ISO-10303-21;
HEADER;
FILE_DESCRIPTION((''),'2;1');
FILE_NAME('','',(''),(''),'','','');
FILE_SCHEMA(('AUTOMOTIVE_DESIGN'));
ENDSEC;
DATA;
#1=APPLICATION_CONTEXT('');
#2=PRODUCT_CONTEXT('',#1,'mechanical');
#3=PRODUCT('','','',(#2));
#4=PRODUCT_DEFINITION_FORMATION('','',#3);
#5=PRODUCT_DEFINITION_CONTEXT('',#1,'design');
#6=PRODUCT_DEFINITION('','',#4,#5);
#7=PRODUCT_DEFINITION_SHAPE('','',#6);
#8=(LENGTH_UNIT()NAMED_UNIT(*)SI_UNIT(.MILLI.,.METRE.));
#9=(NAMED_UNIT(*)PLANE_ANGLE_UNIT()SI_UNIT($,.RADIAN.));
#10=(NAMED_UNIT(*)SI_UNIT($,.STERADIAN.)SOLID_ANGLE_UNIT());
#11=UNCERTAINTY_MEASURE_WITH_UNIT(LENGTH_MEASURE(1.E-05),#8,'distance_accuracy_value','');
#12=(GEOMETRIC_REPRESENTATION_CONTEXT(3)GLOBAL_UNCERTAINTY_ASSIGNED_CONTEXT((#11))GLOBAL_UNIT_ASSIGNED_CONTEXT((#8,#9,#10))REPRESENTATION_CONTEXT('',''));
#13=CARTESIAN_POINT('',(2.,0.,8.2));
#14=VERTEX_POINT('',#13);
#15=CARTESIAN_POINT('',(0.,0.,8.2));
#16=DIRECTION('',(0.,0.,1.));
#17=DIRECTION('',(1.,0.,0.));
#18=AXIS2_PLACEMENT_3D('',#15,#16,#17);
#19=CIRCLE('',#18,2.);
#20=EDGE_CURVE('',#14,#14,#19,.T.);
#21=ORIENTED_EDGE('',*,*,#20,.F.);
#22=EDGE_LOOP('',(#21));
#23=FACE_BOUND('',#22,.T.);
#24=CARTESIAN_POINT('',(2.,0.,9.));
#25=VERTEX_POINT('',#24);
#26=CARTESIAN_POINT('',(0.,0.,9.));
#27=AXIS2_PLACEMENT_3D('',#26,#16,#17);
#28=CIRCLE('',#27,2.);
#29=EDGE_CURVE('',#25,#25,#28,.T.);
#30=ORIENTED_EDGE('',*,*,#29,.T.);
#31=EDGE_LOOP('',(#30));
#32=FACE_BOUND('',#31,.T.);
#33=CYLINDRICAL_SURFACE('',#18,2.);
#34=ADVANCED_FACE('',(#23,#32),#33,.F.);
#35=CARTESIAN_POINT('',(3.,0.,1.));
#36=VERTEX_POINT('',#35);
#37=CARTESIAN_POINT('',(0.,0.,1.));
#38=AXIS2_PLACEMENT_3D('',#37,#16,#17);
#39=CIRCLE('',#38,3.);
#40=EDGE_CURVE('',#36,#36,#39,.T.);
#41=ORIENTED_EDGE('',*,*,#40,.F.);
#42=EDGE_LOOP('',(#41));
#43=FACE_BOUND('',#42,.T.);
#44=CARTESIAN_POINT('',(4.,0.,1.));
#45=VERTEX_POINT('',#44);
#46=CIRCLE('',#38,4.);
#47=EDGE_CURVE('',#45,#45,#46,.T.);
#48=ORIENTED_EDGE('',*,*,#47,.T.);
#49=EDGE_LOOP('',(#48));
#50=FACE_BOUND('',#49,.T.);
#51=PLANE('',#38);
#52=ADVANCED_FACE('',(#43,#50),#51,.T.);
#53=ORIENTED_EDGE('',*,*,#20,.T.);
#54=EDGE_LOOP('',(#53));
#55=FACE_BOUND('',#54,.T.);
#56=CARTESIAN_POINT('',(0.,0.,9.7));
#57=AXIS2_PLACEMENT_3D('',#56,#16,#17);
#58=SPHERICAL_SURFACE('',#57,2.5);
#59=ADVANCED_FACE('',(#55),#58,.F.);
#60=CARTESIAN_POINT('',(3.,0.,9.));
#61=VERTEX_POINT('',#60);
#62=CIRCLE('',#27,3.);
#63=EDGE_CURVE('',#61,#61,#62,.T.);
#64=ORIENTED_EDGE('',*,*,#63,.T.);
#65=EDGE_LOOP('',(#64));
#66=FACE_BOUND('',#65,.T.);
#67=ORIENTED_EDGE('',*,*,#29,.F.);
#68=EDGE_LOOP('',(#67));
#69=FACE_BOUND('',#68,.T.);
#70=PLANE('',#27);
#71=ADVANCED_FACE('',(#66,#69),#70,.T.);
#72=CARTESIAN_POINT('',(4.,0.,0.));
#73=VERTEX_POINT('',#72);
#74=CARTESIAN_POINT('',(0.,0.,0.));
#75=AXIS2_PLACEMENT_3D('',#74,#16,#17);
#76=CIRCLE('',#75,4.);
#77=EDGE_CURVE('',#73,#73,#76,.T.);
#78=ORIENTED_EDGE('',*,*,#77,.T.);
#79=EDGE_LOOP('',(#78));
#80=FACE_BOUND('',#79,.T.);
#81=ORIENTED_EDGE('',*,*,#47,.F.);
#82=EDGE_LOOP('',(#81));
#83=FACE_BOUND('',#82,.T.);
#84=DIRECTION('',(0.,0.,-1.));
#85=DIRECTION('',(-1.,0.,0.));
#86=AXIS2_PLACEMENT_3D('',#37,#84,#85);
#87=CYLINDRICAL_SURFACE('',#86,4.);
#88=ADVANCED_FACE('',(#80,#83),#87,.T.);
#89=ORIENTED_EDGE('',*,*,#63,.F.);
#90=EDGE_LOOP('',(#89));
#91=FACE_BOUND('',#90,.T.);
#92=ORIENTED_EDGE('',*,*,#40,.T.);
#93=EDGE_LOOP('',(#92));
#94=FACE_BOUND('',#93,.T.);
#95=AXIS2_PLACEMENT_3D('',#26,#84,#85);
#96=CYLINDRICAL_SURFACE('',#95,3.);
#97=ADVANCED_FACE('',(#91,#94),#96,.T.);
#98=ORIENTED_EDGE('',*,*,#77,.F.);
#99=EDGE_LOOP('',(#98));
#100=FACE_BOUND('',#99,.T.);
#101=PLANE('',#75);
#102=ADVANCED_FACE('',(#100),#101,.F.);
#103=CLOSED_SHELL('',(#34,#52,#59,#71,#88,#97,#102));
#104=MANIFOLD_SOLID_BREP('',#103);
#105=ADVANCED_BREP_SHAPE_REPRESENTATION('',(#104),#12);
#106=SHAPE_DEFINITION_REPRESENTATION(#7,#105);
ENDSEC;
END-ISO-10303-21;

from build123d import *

# Parameters (mm, degrees)
SKETCH2_R           = 4
BOSS_EXTRUDE1_DEPTH = 1
SKETCH3_R           = 3
BOSS_EXTRUDE2_DEPTH = 8
SKETCH4_R           = 2
CUT_EXTRUDE4_DEPTH  = 0.8
DOME2_FACE_RADIUS   = 2
DOME2_HEIGHT        = 1


with BuildPart() as part:
    # Sketch2 → Boss-Extrude1 (new body)
    with BuildSketch(Plane.XY):
        Circle(SKETCH2_R)
    extrude(amount=BOSS_EXTRUDE1_DEPTH)

    # Sketch3 → Boss-Extrude2 (add)
    with BuildSketch(Plane.XY.offset(1)):
        Circle(SKETCH3_R)
    extrude(amount=BOSS_EXTRUDE2_DEPTH)

    # Sketch4 → Cut-Extrude4 (cut)
    with BuildSketch(Plane.XY.offset(9)):
        Circle(SKETCH4_R)
    extrude(amount=-CUT_EXTRUDE4_DEPTH, mode=Mode.SUBTRACT)

    # Dome2: a dome of height H over a round flat face of radius A is a cap of a sphere of radius (A * A + H * H) / (2 * H)
    dome2_r = (DOME2_FACE_RADIUS * DOME2_FACE_RADIUS + DOME2_HEIGHT * DOME2_HEIGHT) / (2 * DOME2_HEIGHT)
    dome2_base = Plane((0, 0, 8.2), z_dir=(0, 0, -1))
    with Locations(dome2_base.offset(DOME2_HEIGHT - dome2_r)):
        dome2_ball = Sphere(dome2_r, mode=Mode.PRIVATE)
    add(split(dome2_ball, bisect_by=dome2_base, keep=Keep.TOP, mode=Mode.PRIVATE), mode=Mode.SUBTRACT)


solid = part.part
